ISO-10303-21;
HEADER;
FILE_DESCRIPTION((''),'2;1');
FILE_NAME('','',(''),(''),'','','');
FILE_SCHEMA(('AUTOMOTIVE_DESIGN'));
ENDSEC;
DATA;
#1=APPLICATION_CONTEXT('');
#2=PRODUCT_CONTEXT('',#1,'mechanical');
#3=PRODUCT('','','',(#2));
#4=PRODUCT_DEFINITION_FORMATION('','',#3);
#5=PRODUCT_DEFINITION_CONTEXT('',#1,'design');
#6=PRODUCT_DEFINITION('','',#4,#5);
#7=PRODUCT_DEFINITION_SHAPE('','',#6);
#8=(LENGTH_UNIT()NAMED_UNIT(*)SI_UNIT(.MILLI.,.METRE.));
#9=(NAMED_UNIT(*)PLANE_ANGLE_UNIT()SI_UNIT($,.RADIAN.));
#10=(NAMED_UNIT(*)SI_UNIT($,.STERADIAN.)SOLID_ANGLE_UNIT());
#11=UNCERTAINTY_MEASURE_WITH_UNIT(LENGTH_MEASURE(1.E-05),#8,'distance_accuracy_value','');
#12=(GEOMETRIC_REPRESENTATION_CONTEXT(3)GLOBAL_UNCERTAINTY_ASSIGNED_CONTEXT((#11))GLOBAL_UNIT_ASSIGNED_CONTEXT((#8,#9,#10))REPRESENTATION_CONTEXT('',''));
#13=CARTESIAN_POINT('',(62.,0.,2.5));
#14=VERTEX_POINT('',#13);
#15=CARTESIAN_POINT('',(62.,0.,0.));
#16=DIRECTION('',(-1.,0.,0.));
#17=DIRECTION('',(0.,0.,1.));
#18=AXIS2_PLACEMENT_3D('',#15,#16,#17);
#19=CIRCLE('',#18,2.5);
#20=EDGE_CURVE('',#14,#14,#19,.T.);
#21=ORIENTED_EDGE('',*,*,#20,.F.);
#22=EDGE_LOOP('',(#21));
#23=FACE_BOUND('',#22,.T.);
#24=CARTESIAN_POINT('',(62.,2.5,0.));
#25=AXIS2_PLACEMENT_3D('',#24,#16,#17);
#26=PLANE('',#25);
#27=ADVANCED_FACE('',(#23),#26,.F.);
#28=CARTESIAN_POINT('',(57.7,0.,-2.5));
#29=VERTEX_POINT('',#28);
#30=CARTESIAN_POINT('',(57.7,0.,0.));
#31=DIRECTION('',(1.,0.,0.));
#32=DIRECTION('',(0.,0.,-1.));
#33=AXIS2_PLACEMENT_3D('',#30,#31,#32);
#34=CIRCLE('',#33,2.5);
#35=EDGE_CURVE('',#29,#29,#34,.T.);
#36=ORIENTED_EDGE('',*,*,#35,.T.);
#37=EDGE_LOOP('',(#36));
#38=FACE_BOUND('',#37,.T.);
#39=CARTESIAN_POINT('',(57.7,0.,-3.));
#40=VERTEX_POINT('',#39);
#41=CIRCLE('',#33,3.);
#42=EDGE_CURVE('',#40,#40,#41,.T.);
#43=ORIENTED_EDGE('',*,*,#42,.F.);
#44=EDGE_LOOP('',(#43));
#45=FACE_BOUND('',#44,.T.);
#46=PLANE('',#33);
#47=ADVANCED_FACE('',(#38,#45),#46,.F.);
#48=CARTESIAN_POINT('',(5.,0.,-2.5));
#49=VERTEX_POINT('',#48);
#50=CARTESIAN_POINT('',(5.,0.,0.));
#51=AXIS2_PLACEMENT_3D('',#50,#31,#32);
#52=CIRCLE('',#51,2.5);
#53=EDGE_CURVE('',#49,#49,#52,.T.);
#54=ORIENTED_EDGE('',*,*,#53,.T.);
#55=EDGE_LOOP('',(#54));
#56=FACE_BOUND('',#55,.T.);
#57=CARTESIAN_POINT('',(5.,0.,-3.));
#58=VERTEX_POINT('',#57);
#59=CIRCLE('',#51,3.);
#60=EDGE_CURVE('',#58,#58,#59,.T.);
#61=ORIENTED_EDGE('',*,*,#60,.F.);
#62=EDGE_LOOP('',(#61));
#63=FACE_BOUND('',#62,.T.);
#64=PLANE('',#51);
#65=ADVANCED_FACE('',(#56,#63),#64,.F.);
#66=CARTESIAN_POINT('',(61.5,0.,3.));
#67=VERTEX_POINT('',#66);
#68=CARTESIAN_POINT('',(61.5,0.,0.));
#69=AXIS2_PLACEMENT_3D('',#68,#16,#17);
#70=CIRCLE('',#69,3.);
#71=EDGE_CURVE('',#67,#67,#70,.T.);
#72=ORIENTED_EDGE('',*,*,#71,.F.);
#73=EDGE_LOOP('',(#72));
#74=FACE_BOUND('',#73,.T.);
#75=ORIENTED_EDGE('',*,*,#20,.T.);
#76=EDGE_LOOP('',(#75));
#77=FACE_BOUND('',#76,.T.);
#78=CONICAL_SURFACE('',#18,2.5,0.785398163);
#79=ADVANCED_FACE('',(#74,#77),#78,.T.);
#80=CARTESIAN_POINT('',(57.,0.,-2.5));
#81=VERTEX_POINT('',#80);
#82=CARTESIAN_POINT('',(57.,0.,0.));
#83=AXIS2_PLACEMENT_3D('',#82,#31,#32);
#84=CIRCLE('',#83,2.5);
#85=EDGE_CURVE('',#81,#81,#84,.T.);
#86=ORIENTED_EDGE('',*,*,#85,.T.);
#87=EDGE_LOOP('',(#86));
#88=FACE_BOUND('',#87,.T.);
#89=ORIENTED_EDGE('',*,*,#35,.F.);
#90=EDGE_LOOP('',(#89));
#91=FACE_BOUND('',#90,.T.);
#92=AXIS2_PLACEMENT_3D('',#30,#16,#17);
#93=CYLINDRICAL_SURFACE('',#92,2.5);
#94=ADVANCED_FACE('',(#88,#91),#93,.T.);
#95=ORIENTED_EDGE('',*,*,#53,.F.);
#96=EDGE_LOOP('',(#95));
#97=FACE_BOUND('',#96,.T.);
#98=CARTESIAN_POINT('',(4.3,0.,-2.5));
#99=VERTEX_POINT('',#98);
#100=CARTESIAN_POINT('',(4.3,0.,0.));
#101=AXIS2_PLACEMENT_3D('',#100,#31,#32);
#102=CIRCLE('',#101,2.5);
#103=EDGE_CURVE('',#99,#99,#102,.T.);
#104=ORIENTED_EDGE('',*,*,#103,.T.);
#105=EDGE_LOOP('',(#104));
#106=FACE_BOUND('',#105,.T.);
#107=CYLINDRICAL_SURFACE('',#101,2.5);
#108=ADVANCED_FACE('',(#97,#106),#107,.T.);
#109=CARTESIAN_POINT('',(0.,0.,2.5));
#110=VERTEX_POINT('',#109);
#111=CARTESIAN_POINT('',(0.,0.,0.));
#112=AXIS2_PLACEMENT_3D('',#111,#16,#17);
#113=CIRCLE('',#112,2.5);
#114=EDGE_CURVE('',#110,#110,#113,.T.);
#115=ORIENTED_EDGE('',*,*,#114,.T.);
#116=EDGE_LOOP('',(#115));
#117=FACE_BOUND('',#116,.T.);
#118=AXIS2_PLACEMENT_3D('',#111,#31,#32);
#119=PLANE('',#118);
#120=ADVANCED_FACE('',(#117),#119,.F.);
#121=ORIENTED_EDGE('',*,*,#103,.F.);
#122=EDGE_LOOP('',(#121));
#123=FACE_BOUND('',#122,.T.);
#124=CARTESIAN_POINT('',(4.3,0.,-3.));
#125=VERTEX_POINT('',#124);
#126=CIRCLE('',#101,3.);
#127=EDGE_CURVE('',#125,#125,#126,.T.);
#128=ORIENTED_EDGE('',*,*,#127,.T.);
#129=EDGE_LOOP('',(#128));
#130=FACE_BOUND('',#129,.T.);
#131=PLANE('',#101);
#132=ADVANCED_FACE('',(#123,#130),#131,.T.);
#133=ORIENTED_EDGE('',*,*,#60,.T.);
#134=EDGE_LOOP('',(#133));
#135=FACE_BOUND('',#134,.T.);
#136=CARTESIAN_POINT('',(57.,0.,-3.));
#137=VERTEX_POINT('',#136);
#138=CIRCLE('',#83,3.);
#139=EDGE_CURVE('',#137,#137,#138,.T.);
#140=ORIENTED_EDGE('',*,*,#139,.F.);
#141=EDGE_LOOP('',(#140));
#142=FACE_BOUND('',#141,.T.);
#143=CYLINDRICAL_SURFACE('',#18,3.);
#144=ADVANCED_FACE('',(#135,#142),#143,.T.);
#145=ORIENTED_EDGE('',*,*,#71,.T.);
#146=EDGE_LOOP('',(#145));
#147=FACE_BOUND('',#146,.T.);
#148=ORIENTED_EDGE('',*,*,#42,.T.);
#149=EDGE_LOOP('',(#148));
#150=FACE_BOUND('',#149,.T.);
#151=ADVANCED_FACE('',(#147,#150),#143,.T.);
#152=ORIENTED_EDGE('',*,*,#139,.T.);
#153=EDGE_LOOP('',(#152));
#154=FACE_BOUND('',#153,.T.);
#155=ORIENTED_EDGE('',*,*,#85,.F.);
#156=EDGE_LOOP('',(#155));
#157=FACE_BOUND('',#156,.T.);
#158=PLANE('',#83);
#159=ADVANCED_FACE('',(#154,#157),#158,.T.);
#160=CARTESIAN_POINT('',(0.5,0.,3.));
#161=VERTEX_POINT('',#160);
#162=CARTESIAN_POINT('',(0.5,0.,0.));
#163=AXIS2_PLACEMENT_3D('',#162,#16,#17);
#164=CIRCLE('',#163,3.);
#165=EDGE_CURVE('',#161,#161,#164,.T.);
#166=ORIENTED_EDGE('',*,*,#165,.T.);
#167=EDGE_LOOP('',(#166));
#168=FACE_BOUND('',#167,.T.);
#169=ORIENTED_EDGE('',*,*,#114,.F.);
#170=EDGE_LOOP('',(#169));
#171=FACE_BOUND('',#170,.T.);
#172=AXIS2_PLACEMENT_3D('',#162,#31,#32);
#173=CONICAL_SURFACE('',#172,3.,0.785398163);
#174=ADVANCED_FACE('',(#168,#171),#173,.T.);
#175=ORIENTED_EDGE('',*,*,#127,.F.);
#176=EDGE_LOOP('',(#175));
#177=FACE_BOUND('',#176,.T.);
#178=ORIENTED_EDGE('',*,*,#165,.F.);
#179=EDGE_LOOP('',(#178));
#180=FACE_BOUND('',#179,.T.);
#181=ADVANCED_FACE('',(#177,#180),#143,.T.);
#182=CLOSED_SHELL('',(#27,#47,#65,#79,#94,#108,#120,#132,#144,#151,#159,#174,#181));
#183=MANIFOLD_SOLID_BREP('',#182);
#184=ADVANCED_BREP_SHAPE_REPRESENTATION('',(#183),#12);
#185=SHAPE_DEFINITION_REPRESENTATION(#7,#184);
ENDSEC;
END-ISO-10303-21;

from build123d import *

# Parameters (mm, degrees)
SKETCH_2_R          = 6
SKETCH_2_R_2        = 2.5
CUT_EXTRUDE_1_DEPTH = 0.7
CUT_EXTRUDE_START   = 0.7
SKETCH_3_R          = 6
SKETCH_3_R_2        = 2.5
CUT_EXTRUDE_2_DEPTH = 0.7


with BuildPart() as part:
    # ｽｹｯﾁ1 → 回転1 (revolve)
    with BuildSketch(Plane.XY, mode=Mode.PRIVATE) as revolve_1_sk:
        Polygon((0, 0), (0, 2.5), (0.5, 3), (61.5, 3), (62, 2.5), (62, 0), align=None)
    revolve(revolve_1_sk.sketch.rotate(Axis((62, 0, 0), (-1, 0, 0)), 270), axis=Axis((62, 0, 0), (-1, 0, 0)))

    # ｽｹｯﾁ2 → ｶｯﾄ - 押し出し1 (cut)
    with BuildSketch(Plane(origin=(5, 0, 0), x_dir=(0, 0, -1), z_dir=(1, 0, 0))):
        Circle(SKETCH_2_R)
        Circle(SKETCH_2_R_2, mode=Mode.SUBTRACT)
    extrude(amount=-CUT_EXTRUDE_1_DEPTH, mode=Mode.SUBTRACT)

    # ｽｹｯﾁ3 → ｶｯﾄ - 押し出し2 (cut)
    with BuildSketch(Plane(origin=(57, 0, 0), x_dir=(0, 0, -1), z_dir=(1, 0, 0)).offset(CUT_EXTRUDE_START)):
        Circle(SKETCH_3_R)
        Circle(SKETCH_3_R_2, mode=Mode.SUBTRACT)
    extrude(amount=-CUT_EXTRUDE_2_DEPTH, mode=Mode.SUBTRACT)


solid = part.part
